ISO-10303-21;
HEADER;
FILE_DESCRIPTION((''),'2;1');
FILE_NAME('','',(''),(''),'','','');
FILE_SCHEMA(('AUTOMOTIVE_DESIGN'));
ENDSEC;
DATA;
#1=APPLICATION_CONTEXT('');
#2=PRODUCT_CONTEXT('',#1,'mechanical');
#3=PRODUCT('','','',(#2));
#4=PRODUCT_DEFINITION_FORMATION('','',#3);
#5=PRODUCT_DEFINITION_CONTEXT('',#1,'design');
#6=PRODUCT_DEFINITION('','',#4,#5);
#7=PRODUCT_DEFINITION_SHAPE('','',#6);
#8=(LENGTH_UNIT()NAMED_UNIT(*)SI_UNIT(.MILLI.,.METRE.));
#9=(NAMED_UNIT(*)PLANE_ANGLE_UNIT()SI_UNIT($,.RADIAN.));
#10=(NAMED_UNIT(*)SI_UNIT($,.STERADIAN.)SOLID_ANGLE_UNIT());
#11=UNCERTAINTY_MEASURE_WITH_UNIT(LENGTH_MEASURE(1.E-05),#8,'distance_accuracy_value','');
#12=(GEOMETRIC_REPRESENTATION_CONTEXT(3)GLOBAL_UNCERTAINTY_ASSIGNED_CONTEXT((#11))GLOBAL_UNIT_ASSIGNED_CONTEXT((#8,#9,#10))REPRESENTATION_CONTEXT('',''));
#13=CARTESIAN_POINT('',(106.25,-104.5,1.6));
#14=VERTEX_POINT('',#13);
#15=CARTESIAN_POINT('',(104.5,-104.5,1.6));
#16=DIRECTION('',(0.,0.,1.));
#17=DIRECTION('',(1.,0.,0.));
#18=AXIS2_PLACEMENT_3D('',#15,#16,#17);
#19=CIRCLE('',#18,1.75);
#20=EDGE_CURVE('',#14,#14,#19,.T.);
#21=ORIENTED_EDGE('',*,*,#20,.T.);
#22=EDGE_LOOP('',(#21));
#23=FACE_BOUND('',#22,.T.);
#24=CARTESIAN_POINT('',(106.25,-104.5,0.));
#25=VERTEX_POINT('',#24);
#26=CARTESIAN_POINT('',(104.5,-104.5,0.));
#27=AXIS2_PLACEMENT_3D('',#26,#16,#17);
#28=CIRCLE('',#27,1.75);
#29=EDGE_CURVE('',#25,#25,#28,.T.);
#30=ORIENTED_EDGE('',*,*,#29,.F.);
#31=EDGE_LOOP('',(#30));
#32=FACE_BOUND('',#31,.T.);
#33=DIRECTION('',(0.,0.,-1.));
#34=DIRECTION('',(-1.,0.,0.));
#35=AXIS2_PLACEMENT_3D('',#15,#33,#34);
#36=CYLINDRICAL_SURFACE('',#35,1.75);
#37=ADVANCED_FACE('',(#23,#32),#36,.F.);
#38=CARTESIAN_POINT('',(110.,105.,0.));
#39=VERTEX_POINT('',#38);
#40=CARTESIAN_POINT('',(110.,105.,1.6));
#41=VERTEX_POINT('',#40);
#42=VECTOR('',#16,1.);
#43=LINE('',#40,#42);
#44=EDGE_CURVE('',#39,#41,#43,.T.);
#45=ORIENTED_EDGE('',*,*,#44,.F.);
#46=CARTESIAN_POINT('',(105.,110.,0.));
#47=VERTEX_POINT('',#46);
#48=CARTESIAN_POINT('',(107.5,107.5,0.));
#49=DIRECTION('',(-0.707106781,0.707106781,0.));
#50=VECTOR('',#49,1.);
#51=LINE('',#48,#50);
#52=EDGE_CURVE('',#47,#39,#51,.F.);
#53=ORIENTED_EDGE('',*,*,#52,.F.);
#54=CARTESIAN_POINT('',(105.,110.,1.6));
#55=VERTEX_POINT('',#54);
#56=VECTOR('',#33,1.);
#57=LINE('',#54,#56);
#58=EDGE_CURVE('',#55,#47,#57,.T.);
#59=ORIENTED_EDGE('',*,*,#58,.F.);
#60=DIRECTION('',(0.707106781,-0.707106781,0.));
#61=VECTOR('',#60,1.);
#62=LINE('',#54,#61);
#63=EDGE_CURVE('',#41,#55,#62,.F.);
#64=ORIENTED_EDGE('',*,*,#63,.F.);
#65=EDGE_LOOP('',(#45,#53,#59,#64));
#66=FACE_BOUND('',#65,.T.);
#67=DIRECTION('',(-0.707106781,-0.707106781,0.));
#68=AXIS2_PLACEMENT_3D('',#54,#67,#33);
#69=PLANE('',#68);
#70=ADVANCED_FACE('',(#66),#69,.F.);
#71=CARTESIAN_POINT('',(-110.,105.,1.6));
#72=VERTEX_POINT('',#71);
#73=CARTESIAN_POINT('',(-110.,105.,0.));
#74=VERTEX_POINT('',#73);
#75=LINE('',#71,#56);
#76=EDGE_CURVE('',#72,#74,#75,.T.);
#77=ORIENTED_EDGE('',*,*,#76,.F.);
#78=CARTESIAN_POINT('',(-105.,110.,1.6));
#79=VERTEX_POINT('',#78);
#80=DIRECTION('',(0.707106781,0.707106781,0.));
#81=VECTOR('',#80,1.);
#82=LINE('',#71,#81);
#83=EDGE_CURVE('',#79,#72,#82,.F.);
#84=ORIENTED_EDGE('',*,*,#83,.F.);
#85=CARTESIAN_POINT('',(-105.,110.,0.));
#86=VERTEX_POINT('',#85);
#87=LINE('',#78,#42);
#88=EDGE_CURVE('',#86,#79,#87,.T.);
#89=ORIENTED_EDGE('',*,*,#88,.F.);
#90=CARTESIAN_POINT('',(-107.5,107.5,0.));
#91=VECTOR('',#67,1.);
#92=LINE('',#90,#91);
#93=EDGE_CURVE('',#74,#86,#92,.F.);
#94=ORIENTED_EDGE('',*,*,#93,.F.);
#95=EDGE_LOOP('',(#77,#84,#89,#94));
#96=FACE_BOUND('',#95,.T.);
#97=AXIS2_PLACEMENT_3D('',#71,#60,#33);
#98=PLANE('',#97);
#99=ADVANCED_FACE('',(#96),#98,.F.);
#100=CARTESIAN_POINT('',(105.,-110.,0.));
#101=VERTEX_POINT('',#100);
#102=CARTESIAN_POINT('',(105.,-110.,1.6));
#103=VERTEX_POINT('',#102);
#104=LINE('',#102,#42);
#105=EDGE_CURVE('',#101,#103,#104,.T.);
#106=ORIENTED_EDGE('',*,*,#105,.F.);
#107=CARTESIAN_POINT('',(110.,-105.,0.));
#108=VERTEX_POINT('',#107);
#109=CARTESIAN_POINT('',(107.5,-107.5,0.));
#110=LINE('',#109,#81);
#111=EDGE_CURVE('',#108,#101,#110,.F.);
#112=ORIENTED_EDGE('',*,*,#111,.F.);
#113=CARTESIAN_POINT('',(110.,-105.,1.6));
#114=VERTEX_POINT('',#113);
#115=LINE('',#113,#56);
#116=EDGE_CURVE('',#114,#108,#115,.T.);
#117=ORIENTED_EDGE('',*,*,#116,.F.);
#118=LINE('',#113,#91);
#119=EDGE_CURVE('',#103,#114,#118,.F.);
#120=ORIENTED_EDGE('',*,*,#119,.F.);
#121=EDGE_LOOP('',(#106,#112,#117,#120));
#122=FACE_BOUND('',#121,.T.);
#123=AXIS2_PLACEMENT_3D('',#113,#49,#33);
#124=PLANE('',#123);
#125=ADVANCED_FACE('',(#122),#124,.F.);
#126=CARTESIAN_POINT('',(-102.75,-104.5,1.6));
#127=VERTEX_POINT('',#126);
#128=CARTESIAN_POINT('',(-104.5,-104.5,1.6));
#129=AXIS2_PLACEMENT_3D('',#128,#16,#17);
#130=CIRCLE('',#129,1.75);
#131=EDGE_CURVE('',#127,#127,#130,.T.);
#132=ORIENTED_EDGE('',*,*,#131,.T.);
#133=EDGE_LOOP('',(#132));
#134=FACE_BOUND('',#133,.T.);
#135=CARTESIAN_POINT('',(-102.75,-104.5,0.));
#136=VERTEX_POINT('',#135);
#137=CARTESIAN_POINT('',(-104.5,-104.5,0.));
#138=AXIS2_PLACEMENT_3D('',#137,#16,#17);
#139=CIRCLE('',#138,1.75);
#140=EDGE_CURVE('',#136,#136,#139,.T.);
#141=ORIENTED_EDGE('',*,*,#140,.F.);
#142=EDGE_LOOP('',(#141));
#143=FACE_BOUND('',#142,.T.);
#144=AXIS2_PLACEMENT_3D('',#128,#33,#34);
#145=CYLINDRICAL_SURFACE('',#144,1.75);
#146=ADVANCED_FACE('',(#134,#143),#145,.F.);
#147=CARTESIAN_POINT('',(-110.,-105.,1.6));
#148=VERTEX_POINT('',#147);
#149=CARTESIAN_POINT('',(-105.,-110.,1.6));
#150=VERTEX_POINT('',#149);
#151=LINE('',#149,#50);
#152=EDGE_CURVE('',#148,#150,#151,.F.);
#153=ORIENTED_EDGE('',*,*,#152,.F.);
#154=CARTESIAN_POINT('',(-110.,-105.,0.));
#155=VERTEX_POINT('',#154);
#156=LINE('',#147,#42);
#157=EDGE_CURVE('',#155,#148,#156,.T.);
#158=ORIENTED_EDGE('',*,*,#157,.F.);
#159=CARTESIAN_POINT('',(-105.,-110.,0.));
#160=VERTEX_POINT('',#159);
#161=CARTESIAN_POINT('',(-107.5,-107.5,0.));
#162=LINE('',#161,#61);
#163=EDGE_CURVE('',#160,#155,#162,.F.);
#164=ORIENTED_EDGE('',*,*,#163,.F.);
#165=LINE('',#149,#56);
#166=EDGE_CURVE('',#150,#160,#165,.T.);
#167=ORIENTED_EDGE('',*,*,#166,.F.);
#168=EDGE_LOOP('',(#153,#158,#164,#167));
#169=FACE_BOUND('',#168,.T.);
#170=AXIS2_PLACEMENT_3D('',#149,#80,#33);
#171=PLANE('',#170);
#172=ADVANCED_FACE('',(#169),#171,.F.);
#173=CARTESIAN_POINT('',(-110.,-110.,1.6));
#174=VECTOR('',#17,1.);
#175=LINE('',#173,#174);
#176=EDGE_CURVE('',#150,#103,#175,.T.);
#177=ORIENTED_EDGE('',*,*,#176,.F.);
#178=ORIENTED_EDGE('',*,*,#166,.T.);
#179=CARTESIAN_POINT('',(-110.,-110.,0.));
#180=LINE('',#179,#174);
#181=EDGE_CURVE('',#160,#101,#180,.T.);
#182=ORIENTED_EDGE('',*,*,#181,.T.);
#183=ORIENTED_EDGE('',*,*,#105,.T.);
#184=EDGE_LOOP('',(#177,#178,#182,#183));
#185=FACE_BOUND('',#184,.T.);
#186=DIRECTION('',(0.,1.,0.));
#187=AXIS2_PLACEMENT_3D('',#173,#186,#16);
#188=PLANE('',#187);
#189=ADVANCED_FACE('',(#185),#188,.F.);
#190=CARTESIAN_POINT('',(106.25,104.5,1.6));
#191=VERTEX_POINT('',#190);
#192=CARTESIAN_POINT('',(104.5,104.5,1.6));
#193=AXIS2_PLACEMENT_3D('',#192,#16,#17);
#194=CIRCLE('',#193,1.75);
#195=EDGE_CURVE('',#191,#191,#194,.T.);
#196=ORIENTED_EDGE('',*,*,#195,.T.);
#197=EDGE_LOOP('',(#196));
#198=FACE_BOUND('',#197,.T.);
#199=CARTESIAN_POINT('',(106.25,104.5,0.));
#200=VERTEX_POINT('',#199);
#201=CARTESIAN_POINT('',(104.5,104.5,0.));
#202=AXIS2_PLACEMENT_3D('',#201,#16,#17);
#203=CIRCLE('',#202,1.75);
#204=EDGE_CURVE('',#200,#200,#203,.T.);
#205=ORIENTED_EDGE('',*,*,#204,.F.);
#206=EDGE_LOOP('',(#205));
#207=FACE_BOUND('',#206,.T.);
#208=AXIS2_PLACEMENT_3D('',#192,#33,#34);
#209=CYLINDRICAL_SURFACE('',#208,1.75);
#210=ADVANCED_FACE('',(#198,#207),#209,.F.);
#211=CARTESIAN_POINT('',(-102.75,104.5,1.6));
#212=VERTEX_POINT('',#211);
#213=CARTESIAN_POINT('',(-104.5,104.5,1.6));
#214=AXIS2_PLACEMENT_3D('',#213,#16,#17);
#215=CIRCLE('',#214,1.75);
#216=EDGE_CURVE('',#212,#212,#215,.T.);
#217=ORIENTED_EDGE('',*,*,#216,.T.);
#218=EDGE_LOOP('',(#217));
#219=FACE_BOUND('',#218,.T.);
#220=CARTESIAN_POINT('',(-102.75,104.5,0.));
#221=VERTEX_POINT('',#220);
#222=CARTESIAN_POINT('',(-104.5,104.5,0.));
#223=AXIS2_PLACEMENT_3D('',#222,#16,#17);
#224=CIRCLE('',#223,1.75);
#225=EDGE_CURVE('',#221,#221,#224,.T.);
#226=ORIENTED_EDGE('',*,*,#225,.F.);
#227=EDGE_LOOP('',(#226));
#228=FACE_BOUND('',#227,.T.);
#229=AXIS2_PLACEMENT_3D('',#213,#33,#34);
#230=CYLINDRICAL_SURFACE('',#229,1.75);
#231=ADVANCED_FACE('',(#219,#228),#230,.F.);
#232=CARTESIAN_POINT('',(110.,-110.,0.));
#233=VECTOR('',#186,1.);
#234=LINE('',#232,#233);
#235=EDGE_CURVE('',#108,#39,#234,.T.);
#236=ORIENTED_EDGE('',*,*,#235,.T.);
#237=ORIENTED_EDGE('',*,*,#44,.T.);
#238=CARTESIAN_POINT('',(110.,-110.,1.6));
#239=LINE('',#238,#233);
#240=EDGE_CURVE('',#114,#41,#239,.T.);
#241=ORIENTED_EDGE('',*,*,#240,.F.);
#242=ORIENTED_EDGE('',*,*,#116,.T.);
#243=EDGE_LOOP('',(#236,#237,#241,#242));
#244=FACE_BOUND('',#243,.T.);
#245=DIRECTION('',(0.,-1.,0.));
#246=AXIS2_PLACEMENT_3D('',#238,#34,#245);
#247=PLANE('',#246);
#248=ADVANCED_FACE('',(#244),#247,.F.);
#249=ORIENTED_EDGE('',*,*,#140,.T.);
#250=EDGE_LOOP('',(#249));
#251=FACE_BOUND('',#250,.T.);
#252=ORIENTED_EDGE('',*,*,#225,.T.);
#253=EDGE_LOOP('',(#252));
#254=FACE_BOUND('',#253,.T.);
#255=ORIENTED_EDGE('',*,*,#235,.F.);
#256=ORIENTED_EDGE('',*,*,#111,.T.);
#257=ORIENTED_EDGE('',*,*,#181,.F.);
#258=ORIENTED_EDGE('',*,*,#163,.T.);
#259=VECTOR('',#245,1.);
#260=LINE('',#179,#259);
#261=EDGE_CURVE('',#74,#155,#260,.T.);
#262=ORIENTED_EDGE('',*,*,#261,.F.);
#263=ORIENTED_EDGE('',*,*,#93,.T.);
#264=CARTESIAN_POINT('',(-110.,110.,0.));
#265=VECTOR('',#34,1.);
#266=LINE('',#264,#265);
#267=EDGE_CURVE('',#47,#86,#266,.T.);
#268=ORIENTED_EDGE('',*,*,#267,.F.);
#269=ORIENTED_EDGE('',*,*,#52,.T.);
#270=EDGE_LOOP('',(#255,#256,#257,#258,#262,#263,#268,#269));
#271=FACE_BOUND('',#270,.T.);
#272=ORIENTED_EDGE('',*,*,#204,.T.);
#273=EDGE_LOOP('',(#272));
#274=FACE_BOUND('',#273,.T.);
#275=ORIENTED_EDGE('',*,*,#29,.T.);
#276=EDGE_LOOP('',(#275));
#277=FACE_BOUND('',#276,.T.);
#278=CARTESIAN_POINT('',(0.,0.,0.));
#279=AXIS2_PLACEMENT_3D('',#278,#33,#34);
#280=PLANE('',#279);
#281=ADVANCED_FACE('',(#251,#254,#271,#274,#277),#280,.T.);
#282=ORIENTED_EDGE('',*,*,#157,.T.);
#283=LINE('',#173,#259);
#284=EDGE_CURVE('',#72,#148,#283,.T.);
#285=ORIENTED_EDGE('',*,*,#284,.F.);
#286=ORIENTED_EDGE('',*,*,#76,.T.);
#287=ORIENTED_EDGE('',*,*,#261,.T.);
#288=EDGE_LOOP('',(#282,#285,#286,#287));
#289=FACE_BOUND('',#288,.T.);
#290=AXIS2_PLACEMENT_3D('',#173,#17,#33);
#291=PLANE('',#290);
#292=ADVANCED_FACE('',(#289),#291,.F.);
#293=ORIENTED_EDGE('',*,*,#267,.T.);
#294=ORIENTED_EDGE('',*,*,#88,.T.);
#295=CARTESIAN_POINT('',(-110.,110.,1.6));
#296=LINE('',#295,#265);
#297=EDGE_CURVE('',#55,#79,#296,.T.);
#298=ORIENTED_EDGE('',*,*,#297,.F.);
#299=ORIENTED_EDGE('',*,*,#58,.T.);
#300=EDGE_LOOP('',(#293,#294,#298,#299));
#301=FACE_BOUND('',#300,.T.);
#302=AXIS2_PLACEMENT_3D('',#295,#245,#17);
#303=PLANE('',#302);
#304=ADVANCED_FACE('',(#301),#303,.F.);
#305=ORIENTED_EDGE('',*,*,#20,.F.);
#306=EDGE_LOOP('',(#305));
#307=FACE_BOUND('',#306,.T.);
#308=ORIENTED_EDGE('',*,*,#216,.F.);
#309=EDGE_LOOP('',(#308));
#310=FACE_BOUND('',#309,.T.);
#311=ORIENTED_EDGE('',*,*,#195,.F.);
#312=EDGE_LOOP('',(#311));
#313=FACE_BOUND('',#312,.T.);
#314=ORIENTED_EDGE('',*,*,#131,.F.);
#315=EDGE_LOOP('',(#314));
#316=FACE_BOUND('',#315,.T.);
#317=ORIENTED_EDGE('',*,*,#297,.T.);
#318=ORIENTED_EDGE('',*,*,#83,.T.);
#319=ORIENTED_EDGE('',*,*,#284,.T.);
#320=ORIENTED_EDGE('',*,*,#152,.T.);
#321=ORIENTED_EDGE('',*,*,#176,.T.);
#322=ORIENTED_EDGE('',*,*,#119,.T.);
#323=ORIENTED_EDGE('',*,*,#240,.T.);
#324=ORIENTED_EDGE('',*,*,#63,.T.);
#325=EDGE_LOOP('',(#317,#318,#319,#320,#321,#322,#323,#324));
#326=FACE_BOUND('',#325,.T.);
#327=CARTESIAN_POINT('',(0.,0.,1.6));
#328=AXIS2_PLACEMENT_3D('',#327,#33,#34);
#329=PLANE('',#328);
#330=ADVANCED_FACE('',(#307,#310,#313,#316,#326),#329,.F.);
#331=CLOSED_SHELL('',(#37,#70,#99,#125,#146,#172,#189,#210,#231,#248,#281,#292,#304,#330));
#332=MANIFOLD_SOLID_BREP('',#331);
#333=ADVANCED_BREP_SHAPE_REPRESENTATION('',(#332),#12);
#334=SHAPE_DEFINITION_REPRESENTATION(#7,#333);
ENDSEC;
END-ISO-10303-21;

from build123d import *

# Parameters (mm, degrees)
SZKIC1_W                    = 220
SZKIC1_H                    = 220
SZKIC1_R                    = 1.75
DODANIE_WYCI_GNI_CIE1_DEPTH = 1.6
SFAZOWANIE1_SIZE            = 5


with BuildPart() as part:
    # Szkic1 → Dodanie-wyciągnięcie1 (new body)
    with BuildSketch(Plane.XY):
        Rectangle(SZKIC1_W, SZKIC1_H)
        with Locations((104.5, 104.5)):
            Circle(SZKIC1_R, mode=Mode.SUBTRACT)
        with Locations((-104.5, 104.5)):
            Circle(SZKIC1_R, mode=Mode.SUBTRACT)
        with Locations((-104.5, -104.5)):
            Circle(SZKIC1_R, mode=Mode.SUBTRACT)
        with Locations((104.5, -104.5)):
            Circle(SZKIC1_R, mode=Mode.SUBTRACT)
    extrude(amount=DODANIE_WYCI_GNI_CIE1_DEPTH)

    # Sfazowanie1
    sfazowanie1_edges = [part.edges().sort_by_distance(p)[0] for p in [
        (110, -110, 0.8),
        (-110, -110, 0.8),
        (-110, 110, 0.8),
        (110, 110, 0.8),
    ]]
    chamfer(sfazowanie1_edges, length=SFAZOWANIE1_SIZE)


solid = part.part
